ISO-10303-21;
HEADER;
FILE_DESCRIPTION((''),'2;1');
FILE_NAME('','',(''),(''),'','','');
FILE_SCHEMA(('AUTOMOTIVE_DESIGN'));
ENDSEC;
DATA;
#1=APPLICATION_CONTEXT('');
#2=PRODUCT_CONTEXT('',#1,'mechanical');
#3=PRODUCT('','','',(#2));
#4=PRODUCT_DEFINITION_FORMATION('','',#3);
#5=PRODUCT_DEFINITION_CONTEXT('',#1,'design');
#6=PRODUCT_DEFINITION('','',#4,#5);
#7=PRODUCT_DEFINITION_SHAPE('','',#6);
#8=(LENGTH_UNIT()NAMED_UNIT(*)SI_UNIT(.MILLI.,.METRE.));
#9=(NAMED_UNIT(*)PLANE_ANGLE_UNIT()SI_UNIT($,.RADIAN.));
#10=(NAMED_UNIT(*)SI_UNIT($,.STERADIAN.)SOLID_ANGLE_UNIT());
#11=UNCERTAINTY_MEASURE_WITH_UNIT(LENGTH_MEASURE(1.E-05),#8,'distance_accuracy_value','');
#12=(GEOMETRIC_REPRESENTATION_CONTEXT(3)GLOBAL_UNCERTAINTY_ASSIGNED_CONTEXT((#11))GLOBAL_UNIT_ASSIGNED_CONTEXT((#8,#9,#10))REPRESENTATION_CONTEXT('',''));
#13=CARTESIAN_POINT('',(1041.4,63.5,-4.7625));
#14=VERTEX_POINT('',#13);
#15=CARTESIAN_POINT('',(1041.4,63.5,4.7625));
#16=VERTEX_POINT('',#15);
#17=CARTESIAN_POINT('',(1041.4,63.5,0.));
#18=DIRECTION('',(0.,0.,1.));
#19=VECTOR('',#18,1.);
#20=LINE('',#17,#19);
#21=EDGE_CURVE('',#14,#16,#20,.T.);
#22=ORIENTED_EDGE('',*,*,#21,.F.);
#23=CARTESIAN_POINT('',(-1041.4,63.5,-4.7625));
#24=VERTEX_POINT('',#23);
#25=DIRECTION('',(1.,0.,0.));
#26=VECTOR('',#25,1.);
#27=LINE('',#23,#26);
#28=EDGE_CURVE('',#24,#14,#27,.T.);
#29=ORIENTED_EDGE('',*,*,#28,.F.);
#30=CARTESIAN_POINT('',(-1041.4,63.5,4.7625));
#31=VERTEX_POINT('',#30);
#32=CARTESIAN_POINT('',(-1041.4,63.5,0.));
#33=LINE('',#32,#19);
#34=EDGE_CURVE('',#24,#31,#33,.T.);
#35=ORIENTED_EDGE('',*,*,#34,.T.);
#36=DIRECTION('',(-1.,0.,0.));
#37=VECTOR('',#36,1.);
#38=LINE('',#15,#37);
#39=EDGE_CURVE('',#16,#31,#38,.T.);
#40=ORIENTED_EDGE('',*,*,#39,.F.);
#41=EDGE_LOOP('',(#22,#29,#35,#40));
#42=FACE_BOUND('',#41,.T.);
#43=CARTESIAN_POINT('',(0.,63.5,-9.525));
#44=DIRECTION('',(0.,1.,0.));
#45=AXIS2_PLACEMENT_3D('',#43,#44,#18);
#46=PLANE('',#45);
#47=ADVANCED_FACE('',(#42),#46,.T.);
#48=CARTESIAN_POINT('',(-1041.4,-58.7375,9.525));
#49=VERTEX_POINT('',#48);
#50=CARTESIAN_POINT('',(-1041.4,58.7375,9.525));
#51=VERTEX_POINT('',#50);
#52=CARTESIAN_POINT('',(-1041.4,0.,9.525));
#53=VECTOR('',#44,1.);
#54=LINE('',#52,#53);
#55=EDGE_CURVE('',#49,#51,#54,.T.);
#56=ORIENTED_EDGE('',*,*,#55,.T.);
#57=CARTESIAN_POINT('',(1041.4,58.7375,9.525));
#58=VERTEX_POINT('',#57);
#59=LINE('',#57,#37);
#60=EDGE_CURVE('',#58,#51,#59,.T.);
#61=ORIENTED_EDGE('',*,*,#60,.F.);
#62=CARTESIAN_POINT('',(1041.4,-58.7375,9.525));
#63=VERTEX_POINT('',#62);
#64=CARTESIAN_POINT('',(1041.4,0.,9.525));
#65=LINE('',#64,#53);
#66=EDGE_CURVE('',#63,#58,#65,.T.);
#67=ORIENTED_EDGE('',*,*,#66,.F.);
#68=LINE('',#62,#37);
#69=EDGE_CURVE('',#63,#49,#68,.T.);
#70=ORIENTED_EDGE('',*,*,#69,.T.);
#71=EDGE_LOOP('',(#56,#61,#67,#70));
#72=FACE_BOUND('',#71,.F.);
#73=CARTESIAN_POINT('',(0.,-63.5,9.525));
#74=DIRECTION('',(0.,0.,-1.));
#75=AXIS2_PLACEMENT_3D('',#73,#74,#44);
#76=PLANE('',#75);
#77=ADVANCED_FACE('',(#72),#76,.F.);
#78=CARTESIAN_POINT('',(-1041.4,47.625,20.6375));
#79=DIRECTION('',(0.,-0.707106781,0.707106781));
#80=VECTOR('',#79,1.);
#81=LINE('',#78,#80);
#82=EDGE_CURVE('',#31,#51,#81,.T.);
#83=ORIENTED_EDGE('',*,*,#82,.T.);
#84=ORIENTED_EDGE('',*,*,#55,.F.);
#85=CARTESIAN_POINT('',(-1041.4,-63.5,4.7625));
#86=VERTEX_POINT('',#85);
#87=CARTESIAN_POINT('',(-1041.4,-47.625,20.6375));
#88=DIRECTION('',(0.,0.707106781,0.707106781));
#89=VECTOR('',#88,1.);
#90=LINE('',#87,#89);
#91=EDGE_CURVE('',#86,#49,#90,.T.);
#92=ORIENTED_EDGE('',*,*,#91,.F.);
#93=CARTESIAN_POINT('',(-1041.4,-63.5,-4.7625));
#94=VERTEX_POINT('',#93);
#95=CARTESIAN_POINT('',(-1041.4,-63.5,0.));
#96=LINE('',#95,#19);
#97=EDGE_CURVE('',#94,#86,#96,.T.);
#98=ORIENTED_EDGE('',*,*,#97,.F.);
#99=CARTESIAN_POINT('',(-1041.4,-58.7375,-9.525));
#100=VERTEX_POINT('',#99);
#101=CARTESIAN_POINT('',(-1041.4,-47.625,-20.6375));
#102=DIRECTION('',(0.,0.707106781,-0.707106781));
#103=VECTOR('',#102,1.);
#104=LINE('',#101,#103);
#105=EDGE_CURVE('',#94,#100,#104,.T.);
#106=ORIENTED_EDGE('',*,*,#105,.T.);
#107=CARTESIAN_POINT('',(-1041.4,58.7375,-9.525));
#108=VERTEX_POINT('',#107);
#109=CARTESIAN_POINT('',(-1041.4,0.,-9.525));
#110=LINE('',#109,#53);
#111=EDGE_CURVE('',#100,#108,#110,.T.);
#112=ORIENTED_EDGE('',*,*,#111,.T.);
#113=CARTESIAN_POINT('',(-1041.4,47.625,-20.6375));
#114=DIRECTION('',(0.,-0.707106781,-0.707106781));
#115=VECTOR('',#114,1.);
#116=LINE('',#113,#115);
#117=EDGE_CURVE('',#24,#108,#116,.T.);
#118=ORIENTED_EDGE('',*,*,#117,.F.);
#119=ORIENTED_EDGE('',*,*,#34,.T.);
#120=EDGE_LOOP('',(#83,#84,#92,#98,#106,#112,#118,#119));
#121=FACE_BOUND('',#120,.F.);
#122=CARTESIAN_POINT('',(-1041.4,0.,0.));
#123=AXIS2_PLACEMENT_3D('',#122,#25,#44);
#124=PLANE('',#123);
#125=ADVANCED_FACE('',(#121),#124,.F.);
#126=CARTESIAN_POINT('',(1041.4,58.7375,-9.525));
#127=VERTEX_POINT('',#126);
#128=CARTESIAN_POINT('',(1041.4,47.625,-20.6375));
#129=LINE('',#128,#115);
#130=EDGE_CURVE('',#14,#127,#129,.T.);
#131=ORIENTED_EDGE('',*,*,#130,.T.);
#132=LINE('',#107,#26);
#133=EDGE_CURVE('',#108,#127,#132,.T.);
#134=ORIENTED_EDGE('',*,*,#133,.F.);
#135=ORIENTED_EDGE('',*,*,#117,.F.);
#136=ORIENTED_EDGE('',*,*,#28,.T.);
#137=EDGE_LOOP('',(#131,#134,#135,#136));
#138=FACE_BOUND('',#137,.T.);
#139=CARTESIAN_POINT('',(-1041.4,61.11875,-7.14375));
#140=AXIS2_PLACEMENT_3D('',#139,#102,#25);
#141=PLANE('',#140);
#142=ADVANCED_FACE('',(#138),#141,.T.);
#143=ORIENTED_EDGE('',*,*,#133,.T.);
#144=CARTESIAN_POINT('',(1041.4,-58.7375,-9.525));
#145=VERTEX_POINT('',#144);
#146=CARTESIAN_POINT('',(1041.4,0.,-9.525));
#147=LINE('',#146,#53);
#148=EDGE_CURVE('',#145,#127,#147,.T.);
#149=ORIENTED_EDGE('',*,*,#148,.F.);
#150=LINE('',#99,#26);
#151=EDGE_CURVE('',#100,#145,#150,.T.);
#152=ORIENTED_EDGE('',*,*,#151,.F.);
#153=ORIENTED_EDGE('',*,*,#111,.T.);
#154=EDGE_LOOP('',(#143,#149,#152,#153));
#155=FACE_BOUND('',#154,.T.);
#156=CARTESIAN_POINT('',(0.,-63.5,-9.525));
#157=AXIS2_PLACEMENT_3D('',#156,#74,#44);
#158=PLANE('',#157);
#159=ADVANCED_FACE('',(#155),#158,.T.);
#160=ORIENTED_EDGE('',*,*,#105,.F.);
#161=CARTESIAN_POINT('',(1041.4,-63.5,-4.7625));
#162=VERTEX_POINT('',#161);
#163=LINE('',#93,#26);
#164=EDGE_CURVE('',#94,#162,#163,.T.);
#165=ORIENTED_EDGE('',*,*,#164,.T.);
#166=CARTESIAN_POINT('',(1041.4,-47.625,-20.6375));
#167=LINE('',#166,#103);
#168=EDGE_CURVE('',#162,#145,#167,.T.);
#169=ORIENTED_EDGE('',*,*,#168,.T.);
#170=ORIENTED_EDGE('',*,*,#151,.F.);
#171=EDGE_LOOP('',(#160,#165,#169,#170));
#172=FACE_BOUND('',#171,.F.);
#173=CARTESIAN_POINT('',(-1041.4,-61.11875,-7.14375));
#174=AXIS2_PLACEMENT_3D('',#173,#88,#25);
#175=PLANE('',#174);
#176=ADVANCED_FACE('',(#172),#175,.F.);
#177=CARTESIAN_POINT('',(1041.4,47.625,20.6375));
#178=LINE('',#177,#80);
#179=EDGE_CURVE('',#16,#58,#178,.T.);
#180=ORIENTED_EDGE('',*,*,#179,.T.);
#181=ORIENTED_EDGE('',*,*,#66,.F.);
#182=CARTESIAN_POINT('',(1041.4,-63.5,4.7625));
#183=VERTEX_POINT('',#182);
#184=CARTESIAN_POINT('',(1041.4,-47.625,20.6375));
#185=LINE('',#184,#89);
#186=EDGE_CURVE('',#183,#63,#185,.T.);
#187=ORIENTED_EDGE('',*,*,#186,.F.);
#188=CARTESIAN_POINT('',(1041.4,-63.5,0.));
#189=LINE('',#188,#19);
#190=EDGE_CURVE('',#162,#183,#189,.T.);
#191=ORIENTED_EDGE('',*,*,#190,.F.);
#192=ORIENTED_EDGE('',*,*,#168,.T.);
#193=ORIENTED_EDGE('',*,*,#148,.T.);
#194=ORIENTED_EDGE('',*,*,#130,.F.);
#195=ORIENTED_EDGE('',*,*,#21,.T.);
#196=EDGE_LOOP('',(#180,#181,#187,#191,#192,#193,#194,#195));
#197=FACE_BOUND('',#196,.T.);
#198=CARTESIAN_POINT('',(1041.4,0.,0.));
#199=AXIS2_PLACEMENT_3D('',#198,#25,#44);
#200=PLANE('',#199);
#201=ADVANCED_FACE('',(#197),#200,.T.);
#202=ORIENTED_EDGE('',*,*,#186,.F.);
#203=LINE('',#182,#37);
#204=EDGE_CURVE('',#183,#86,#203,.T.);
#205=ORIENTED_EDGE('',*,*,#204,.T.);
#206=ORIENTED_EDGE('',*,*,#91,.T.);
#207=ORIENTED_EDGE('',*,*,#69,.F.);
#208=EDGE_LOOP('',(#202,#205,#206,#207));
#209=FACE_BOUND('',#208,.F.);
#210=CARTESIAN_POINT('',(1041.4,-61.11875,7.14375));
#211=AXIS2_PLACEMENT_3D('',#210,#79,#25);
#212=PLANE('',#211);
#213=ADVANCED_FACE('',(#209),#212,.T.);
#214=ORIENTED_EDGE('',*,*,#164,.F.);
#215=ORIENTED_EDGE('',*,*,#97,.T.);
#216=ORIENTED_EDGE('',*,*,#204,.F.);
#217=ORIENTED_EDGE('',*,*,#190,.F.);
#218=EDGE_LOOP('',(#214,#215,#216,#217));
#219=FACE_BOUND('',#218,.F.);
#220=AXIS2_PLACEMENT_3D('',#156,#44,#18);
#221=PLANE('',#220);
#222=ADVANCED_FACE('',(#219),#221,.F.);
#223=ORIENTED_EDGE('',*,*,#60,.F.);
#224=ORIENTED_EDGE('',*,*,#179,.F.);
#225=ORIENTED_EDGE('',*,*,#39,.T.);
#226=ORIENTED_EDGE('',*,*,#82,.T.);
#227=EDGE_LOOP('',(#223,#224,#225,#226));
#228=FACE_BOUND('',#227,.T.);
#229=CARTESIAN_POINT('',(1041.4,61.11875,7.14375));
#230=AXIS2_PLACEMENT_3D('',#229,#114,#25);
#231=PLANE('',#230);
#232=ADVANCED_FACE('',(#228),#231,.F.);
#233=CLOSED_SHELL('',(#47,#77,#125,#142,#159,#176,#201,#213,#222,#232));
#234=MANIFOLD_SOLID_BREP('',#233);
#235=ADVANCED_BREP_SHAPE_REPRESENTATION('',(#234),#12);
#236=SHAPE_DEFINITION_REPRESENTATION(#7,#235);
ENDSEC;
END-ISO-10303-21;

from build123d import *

# Parameters (mm, degrees)
F0_W     = 127
F0_H     = 19.05
F1_DEPTH = 1041.4
F2_SIZE  = 4.7625


with BuildPart() as f1:
    # F0 (on Right) → F1 (new body, symmetric)
    with BuildSketch(Plane.YZ):
        Rectangle(F0_W, F0_H)
    extrude(amount=F1_DEPTH, both=True)

    # F2
    f2_edges = [f1.edges().sort_by_distance(p)[0] for p in [
        (0, -63.5, 9.525),
        (0, -63.5, -9.525),
        (0, 63.5, 9.525),
        (0, 63.5, -9.525),
    ]]
    chamfer(f2_edges, length=F2_SIZE)


solid = f1.part
